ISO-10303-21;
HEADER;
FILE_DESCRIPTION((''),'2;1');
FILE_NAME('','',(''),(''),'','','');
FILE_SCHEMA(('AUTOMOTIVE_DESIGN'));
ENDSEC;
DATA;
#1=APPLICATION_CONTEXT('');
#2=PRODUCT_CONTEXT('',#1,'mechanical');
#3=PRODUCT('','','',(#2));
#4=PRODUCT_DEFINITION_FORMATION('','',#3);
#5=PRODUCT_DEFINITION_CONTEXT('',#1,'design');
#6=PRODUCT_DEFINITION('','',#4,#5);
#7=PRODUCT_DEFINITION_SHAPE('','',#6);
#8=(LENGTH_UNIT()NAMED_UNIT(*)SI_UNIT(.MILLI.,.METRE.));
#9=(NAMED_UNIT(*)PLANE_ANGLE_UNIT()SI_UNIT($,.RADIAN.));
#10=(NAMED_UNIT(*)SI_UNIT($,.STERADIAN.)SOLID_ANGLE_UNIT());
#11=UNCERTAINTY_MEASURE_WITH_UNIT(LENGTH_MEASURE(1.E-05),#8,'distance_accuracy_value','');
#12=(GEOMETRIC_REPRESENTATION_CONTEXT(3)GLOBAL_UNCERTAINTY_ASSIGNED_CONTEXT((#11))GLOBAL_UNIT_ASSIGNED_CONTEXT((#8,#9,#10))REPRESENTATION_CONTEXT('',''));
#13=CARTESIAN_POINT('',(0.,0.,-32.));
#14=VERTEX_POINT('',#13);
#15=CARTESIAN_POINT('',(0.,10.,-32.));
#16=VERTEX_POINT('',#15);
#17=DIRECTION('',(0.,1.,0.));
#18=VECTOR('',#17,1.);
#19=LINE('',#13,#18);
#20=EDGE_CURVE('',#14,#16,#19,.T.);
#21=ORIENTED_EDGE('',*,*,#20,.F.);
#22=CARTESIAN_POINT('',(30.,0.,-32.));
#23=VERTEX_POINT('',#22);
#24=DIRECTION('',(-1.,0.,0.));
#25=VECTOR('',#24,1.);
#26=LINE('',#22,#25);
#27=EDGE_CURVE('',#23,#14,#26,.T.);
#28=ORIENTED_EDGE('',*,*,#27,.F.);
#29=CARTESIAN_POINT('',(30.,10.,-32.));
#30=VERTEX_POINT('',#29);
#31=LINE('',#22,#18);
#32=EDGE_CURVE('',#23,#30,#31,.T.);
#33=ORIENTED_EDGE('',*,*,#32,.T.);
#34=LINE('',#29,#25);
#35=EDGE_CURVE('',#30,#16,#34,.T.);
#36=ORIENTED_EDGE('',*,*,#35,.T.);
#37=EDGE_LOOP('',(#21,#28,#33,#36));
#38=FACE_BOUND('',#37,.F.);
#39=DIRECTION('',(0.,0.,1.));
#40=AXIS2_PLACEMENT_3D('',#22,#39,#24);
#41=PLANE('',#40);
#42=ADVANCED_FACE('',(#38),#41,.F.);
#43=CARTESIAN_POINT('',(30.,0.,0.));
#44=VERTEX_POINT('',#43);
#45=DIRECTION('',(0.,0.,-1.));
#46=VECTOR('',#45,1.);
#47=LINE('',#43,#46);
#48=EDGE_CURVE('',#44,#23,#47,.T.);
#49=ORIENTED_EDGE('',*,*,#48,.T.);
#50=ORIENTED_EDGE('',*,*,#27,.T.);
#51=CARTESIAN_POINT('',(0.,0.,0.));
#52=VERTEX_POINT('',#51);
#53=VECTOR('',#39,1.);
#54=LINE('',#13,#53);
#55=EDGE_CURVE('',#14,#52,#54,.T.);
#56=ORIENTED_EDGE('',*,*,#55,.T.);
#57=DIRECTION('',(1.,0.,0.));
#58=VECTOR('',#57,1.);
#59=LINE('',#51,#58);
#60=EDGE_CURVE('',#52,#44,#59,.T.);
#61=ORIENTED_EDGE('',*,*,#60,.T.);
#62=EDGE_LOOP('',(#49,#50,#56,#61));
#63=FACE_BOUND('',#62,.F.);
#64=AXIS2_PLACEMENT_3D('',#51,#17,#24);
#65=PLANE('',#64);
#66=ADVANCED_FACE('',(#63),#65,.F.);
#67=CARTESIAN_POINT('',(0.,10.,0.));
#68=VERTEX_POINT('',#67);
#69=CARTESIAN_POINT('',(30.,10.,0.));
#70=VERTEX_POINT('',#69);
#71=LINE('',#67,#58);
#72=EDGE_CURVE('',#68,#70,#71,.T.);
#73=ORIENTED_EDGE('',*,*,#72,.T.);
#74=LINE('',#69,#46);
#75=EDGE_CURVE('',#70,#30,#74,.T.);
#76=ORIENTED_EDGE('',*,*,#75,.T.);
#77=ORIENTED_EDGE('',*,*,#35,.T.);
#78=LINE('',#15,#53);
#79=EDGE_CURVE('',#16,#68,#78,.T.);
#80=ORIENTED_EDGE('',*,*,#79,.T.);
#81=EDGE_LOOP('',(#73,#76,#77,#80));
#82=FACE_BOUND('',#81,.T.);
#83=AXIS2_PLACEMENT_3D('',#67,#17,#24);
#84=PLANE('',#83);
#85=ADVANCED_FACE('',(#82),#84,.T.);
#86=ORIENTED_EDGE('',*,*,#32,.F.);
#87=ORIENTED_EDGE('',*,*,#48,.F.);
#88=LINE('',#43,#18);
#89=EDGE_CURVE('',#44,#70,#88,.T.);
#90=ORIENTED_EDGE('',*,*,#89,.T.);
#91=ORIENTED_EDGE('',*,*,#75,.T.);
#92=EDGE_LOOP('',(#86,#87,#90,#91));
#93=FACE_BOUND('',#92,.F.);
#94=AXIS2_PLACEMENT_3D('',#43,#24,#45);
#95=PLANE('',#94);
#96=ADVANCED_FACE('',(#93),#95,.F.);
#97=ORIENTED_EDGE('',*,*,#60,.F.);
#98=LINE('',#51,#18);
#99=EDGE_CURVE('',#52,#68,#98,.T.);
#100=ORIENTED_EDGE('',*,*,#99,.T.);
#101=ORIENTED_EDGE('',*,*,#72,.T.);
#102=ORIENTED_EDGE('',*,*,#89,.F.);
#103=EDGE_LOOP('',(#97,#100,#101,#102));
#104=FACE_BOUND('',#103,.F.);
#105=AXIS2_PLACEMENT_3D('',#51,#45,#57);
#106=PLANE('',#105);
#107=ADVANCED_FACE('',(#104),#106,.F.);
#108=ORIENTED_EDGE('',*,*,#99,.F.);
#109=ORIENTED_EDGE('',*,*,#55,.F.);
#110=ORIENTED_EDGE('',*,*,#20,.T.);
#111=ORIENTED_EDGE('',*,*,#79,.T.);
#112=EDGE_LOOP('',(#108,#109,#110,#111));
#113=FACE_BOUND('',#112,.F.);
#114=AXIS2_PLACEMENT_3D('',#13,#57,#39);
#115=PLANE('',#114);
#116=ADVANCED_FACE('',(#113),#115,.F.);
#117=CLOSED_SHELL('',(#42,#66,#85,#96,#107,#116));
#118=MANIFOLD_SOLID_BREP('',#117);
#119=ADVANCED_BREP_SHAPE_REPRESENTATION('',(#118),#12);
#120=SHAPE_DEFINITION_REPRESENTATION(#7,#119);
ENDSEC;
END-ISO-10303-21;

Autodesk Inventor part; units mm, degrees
ref_plane "YZ Plane" through (0, 0, 0) normal (1, 0, 0) x (0, 1, 0)
ref_plane "XZ Plane" through (0, 0, 0) normal (0, 1, 0) x (-1, 0, 0)
ref_plane "XY Plane" through (0, 0, 0) normal (0, 0, 1) x (1, 0, 0)
sketch "Skizze1" plane through (0, 0, 0) normal (0, 1, 0) x (-1, 0, 0)
  line L0 (0, 0) -> (-30, 0)
  line L1 (-30, 0) -> (-30, -32)
  line L2 (-30, -32) -> (0, -32)
  line L3 (0, -32) -> (0, 0)
  dimension "d0" = 30
  dimension "d1" = 32
extrude "Extrusion1" add sketch "Skizze1" along normal blind 10
properties part number "Einspannungsfläche" material "Aluminium 6061"
